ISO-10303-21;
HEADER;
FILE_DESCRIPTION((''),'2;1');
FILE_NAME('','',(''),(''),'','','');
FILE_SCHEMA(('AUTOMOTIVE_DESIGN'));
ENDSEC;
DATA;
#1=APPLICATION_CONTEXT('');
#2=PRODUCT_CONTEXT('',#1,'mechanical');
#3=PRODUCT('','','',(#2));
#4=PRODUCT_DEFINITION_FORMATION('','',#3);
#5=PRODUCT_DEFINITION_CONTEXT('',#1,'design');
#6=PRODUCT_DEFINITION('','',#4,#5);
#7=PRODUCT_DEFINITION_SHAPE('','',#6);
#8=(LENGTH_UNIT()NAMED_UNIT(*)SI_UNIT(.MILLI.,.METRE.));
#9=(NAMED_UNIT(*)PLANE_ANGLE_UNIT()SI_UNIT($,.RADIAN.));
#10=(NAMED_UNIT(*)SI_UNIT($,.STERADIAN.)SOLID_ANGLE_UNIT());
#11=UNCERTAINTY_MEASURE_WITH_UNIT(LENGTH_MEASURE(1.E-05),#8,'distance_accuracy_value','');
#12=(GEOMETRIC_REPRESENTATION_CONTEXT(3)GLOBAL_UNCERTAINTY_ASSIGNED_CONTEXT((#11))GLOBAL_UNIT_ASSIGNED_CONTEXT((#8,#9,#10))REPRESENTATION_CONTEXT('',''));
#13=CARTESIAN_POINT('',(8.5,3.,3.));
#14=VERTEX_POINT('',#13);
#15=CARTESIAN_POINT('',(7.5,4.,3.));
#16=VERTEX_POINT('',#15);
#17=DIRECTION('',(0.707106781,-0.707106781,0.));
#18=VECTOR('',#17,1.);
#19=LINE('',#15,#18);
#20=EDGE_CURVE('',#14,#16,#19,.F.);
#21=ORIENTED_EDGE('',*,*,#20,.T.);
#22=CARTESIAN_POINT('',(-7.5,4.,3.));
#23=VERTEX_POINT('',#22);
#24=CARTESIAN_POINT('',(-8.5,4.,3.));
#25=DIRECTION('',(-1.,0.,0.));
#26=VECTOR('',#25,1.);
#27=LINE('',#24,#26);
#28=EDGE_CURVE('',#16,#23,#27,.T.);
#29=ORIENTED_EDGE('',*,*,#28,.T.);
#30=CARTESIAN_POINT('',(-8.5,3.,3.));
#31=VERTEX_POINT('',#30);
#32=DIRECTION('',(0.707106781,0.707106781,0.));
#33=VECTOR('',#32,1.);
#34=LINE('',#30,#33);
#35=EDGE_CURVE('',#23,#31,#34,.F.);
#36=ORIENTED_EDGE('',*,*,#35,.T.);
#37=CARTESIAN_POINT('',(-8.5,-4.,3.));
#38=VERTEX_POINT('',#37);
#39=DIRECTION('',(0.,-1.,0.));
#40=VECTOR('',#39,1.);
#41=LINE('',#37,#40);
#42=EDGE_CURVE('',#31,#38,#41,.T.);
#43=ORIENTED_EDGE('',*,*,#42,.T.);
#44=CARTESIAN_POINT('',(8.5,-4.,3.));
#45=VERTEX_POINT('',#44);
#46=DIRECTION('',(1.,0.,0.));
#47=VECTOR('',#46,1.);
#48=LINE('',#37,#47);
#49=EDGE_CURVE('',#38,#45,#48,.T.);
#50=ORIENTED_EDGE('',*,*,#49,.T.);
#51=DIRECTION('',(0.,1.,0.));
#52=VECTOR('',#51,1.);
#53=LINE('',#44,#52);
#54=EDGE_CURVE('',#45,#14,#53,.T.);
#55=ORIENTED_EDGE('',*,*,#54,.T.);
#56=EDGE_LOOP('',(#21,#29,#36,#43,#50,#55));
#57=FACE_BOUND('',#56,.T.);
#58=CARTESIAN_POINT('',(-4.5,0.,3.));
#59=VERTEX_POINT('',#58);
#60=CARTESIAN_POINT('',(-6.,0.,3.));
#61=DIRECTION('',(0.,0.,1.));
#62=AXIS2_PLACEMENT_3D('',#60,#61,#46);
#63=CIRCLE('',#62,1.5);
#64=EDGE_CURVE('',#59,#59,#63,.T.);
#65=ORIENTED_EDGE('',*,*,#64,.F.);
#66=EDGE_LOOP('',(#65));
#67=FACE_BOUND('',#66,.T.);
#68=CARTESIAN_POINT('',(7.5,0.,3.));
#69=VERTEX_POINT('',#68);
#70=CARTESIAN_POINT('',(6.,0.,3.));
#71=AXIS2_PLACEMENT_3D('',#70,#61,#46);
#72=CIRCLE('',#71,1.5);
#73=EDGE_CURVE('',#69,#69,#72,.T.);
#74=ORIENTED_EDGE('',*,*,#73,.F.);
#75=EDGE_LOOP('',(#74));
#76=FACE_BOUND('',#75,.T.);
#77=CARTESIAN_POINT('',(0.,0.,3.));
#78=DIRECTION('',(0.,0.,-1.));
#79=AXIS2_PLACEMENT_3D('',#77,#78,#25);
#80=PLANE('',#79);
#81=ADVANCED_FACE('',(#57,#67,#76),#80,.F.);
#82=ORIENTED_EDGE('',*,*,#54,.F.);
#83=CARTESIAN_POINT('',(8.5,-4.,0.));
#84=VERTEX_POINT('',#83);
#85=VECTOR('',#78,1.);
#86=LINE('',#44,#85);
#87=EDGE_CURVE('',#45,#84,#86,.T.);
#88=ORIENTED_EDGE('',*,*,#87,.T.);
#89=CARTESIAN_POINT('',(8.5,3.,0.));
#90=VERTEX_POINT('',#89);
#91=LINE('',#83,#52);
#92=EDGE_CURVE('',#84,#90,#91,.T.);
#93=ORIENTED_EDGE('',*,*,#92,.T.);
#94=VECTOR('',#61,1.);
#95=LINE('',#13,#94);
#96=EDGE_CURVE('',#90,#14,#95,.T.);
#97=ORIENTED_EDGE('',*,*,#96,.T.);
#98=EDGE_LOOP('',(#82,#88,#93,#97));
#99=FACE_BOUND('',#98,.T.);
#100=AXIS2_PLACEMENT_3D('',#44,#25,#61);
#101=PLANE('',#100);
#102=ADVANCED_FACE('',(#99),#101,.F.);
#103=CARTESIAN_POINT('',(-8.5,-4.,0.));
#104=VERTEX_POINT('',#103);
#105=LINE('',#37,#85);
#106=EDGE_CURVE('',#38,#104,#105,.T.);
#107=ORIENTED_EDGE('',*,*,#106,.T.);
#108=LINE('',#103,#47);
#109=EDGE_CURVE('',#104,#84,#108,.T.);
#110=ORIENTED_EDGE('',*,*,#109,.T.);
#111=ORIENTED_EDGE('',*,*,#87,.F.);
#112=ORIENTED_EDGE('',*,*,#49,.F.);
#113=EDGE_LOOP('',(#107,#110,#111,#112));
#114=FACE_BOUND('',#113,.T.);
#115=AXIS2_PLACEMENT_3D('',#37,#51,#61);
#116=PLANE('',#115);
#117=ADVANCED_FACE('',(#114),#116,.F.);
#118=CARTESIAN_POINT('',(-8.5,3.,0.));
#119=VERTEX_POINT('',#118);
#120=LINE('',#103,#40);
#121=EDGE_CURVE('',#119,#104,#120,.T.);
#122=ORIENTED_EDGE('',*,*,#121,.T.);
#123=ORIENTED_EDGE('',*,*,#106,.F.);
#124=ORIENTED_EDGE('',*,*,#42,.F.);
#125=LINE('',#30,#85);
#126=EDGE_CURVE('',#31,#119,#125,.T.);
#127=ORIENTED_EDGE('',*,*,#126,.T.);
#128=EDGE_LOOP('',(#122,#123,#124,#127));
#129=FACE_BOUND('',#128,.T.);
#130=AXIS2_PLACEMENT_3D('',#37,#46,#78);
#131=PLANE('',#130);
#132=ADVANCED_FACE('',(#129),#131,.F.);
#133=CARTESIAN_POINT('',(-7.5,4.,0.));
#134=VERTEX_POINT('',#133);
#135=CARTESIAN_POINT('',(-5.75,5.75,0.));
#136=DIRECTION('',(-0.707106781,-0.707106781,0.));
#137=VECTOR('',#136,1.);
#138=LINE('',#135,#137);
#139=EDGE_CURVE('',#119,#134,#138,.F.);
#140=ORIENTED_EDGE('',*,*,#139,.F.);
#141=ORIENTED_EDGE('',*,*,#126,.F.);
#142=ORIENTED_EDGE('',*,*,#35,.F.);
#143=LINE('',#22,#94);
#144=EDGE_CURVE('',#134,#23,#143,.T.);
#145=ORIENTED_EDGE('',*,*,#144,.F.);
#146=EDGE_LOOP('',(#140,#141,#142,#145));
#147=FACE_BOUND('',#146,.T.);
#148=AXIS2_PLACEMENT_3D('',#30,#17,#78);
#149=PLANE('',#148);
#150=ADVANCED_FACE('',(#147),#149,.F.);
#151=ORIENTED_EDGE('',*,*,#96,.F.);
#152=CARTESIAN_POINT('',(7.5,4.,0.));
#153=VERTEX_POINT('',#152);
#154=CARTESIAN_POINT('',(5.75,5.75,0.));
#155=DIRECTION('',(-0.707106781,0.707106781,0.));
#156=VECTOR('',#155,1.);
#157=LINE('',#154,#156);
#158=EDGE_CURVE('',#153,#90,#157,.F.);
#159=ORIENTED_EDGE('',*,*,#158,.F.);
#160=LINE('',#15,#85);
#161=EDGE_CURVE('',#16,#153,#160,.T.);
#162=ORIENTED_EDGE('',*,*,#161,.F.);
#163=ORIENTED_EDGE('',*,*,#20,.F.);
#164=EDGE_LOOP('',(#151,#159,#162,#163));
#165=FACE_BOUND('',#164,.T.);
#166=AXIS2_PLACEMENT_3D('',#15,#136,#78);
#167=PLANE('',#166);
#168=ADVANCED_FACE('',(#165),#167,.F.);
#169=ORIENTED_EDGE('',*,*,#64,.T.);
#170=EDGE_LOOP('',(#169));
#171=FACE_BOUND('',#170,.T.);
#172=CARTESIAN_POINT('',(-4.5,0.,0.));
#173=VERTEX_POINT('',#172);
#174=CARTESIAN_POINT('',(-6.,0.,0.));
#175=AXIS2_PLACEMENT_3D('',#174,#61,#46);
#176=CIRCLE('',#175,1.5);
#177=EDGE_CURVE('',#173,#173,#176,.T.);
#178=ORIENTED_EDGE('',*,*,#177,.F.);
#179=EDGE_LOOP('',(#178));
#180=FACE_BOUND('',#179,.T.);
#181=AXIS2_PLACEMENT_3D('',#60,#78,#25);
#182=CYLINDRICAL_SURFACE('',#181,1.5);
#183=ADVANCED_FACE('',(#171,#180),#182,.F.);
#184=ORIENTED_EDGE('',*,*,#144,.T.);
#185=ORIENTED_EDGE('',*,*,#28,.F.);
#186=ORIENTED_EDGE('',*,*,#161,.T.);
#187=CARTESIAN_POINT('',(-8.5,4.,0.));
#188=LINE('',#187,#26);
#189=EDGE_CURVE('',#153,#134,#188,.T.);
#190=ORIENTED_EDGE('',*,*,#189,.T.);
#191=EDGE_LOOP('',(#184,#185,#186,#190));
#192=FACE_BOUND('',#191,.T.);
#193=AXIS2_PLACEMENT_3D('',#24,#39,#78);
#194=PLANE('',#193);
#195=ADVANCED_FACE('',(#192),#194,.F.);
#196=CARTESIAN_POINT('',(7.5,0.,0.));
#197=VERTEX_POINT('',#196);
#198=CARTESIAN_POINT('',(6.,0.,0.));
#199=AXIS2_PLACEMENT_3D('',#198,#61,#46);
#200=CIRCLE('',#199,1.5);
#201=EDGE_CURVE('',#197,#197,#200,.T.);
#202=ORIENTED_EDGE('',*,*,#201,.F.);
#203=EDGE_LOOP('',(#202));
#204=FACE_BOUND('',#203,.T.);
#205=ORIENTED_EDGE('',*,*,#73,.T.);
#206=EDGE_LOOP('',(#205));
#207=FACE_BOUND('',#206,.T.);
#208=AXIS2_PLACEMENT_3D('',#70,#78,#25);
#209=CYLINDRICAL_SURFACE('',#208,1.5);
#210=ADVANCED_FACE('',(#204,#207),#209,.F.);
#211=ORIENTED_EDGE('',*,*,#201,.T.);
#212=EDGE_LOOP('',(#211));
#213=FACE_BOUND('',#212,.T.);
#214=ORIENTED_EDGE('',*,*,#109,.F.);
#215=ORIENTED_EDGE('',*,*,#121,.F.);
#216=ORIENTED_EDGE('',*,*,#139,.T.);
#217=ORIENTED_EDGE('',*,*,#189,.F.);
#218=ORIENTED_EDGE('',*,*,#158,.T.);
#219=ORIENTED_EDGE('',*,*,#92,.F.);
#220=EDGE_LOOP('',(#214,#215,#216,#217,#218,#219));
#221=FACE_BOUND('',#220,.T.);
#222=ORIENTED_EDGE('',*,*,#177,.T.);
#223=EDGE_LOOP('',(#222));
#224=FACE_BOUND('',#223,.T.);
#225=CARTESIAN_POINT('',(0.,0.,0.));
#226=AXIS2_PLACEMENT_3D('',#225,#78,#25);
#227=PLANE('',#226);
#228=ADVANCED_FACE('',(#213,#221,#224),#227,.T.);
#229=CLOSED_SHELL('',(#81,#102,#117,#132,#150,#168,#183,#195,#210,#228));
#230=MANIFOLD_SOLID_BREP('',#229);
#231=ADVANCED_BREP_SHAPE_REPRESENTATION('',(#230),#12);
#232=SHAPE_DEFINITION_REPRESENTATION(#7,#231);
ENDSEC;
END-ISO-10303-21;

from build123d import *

# Parameters (mm, degrees)
ESQUISSE1_W        = 17
ESQUISSE1_H        = 8
ESQUISSE1_R        = 1.5
BOSS_EXTRU_1_DEPTH = 3
CHANFREIN1_SIZE    = 1


with BuildPart() as part:
    # Esquisse1 → Boss.-Extru.1 (new body)
    with BuildSketch(Plane.XY):
        Rectangle(ESQUISSE1_W, ESQUISSE1_H)
        with Locations((-6, 0)):
            Circle(ESQUISSE1_R, mode=Mode.SUBTRACT)
        with Locations((6, 0)):
            Circle(ESQUISSE1_R, mode=Mode.SUBTRACT)
    extrude(amount=BOSS_EXTRU_1_DEPTH)

    # Chanfrein1
    chanfrein1_edges = [part.edges().sort_by_distance(p)[0] for p in [
        (-8.5, 4, 1.5),
        (8.5, 4, 1.5),
    ]]
    chamfer(chanfrein1_edges, length=CHANFREIN1_SIZE)


solid = part.part
